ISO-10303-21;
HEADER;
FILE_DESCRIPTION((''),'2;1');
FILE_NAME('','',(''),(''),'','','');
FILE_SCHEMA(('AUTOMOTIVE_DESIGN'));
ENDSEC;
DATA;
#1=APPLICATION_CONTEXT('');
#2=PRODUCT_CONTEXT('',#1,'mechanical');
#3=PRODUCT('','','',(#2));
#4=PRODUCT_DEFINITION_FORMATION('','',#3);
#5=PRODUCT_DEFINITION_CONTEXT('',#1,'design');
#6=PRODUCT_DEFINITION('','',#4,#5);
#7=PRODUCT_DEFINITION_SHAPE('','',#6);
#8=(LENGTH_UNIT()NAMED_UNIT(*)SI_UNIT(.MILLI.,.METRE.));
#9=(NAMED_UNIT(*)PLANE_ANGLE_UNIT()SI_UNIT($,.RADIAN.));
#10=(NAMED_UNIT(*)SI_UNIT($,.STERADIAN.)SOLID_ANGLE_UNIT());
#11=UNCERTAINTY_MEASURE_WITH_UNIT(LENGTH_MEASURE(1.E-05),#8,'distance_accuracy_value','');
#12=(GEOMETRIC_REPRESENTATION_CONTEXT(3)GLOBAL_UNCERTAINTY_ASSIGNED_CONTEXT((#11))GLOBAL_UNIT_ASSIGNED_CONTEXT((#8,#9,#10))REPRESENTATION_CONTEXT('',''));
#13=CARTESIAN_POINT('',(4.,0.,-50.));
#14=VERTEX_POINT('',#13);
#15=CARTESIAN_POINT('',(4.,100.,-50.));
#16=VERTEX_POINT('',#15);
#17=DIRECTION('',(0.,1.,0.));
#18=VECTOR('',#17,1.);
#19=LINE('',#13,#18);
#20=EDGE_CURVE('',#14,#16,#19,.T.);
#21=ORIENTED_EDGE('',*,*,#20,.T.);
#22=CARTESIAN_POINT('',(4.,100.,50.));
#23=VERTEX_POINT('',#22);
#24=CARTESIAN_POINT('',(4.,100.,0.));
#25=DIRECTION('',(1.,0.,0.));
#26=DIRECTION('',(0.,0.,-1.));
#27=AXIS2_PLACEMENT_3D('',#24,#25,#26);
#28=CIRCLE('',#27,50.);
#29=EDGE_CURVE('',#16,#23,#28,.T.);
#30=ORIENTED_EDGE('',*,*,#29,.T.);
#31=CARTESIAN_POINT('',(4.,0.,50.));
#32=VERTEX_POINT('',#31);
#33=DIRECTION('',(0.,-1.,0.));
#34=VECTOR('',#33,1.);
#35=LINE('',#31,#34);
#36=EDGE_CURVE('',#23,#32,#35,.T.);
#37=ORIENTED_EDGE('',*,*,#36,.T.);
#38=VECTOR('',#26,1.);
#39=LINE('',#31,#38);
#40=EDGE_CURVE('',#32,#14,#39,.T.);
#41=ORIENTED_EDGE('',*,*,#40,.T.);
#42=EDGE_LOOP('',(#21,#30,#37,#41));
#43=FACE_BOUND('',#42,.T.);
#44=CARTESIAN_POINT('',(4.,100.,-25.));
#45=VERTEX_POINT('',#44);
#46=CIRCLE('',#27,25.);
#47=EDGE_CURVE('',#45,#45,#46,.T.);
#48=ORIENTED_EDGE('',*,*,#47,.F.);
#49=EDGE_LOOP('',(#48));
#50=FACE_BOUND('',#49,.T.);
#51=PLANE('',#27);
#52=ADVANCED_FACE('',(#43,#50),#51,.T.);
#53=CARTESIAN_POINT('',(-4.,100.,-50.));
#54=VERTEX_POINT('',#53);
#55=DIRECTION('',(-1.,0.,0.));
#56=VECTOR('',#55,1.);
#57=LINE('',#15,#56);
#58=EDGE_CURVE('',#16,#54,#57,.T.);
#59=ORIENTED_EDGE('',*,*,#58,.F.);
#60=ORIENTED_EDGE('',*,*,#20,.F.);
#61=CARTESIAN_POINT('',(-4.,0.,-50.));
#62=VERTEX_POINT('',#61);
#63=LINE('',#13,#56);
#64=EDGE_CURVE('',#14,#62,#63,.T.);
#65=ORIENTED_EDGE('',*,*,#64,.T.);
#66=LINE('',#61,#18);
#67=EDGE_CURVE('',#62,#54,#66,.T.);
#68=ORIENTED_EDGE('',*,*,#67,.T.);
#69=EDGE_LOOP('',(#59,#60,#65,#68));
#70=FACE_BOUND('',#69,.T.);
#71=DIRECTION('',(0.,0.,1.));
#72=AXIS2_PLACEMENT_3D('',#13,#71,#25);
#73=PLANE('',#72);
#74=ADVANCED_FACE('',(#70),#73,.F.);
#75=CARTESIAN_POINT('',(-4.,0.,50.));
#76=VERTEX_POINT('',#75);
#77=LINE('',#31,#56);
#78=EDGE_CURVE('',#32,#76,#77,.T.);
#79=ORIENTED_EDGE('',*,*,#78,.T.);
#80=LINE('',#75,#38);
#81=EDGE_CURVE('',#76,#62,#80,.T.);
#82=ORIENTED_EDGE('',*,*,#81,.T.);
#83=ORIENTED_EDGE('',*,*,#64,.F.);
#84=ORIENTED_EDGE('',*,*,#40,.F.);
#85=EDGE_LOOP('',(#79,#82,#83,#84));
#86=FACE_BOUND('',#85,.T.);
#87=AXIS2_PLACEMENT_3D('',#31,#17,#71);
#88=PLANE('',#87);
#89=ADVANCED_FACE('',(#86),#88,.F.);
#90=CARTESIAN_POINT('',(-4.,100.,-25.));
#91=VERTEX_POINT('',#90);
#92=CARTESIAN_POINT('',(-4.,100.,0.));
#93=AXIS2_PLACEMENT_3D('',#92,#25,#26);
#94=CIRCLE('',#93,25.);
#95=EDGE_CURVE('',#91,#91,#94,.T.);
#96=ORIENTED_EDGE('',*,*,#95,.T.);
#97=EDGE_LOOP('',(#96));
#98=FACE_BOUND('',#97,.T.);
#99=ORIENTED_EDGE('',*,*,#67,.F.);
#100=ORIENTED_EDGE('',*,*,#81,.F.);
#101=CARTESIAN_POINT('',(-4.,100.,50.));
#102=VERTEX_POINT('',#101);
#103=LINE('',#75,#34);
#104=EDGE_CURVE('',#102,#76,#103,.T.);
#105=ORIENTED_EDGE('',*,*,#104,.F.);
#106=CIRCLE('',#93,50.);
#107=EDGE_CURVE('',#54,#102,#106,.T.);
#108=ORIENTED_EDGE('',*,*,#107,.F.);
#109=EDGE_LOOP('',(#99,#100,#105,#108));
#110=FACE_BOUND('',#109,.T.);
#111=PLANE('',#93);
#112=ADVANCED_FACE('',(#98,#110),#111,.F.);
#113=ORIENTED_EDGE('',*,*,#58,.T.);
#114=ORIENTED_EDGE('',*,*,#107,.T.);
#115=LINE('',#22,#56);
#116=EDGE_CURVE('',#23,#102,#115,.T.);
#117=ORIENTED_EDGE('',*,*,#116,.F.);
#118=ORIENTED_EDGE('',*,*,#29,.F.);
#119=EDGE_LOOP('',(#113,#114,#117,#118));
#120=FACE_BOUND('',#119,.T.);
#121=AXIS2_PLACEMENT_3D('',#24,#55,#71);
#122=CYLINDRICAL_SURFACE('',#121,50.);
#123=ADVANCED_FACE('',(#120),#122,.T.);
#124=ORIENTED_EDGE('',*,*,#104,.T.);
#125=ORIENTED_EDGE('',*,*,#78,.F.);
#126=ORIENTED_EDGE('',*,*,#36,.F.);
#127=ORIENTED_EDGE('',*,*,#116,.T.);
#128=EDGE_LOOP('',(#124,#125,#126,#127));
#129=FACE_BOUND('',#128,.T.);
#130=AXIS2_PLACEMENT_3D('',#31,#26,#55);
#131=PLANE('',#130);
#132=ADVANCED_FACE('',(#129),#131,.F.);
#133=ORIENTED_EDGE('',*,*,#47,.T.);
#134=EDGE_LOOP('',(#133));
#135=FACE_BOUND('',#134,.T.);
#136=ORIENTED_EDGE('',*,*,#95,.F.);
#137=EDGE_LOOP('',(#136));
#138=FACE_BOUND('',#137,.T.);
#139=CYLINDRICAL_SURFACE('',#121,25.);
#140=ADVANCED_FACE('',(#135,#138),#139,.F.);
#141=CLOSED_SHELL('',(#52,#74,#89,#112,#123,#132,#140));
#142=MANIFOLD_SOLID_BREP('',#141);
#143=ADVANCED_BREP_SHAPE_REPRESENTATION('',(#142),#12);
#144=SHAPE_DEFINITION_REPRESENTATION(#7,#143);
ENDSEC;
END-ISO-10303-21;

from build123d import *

# Parameters (mm, degrees)
SKETCH_1_R      = 25
EXTRUDE_1_DEPTH = 4


with BuildPart() as part:
    # 草图1 → 凸台-拉伸1 (new, symmetric)
    with BuildSketch(Plane(origin=(0, 0, 0), x_dir=(0, 0, -1), z_dir=(1, 0, 0))):
        with BuildLine():
            Line((-50, 0), (50, 0))
            Line((50, 0), (50, 100))
            ThreePointArc((50, 100), (0, 150), (-50, 100))
            Line((-50, 100), (-50, 0))
        make_face()
        with Locations((0, 100)):
            Circle(SKETCH_1_R, mode=Mode.SUBTRACT)
    extrude(amount=EXTRUDE_1_DEPTH, both=True)


solid = part.part
